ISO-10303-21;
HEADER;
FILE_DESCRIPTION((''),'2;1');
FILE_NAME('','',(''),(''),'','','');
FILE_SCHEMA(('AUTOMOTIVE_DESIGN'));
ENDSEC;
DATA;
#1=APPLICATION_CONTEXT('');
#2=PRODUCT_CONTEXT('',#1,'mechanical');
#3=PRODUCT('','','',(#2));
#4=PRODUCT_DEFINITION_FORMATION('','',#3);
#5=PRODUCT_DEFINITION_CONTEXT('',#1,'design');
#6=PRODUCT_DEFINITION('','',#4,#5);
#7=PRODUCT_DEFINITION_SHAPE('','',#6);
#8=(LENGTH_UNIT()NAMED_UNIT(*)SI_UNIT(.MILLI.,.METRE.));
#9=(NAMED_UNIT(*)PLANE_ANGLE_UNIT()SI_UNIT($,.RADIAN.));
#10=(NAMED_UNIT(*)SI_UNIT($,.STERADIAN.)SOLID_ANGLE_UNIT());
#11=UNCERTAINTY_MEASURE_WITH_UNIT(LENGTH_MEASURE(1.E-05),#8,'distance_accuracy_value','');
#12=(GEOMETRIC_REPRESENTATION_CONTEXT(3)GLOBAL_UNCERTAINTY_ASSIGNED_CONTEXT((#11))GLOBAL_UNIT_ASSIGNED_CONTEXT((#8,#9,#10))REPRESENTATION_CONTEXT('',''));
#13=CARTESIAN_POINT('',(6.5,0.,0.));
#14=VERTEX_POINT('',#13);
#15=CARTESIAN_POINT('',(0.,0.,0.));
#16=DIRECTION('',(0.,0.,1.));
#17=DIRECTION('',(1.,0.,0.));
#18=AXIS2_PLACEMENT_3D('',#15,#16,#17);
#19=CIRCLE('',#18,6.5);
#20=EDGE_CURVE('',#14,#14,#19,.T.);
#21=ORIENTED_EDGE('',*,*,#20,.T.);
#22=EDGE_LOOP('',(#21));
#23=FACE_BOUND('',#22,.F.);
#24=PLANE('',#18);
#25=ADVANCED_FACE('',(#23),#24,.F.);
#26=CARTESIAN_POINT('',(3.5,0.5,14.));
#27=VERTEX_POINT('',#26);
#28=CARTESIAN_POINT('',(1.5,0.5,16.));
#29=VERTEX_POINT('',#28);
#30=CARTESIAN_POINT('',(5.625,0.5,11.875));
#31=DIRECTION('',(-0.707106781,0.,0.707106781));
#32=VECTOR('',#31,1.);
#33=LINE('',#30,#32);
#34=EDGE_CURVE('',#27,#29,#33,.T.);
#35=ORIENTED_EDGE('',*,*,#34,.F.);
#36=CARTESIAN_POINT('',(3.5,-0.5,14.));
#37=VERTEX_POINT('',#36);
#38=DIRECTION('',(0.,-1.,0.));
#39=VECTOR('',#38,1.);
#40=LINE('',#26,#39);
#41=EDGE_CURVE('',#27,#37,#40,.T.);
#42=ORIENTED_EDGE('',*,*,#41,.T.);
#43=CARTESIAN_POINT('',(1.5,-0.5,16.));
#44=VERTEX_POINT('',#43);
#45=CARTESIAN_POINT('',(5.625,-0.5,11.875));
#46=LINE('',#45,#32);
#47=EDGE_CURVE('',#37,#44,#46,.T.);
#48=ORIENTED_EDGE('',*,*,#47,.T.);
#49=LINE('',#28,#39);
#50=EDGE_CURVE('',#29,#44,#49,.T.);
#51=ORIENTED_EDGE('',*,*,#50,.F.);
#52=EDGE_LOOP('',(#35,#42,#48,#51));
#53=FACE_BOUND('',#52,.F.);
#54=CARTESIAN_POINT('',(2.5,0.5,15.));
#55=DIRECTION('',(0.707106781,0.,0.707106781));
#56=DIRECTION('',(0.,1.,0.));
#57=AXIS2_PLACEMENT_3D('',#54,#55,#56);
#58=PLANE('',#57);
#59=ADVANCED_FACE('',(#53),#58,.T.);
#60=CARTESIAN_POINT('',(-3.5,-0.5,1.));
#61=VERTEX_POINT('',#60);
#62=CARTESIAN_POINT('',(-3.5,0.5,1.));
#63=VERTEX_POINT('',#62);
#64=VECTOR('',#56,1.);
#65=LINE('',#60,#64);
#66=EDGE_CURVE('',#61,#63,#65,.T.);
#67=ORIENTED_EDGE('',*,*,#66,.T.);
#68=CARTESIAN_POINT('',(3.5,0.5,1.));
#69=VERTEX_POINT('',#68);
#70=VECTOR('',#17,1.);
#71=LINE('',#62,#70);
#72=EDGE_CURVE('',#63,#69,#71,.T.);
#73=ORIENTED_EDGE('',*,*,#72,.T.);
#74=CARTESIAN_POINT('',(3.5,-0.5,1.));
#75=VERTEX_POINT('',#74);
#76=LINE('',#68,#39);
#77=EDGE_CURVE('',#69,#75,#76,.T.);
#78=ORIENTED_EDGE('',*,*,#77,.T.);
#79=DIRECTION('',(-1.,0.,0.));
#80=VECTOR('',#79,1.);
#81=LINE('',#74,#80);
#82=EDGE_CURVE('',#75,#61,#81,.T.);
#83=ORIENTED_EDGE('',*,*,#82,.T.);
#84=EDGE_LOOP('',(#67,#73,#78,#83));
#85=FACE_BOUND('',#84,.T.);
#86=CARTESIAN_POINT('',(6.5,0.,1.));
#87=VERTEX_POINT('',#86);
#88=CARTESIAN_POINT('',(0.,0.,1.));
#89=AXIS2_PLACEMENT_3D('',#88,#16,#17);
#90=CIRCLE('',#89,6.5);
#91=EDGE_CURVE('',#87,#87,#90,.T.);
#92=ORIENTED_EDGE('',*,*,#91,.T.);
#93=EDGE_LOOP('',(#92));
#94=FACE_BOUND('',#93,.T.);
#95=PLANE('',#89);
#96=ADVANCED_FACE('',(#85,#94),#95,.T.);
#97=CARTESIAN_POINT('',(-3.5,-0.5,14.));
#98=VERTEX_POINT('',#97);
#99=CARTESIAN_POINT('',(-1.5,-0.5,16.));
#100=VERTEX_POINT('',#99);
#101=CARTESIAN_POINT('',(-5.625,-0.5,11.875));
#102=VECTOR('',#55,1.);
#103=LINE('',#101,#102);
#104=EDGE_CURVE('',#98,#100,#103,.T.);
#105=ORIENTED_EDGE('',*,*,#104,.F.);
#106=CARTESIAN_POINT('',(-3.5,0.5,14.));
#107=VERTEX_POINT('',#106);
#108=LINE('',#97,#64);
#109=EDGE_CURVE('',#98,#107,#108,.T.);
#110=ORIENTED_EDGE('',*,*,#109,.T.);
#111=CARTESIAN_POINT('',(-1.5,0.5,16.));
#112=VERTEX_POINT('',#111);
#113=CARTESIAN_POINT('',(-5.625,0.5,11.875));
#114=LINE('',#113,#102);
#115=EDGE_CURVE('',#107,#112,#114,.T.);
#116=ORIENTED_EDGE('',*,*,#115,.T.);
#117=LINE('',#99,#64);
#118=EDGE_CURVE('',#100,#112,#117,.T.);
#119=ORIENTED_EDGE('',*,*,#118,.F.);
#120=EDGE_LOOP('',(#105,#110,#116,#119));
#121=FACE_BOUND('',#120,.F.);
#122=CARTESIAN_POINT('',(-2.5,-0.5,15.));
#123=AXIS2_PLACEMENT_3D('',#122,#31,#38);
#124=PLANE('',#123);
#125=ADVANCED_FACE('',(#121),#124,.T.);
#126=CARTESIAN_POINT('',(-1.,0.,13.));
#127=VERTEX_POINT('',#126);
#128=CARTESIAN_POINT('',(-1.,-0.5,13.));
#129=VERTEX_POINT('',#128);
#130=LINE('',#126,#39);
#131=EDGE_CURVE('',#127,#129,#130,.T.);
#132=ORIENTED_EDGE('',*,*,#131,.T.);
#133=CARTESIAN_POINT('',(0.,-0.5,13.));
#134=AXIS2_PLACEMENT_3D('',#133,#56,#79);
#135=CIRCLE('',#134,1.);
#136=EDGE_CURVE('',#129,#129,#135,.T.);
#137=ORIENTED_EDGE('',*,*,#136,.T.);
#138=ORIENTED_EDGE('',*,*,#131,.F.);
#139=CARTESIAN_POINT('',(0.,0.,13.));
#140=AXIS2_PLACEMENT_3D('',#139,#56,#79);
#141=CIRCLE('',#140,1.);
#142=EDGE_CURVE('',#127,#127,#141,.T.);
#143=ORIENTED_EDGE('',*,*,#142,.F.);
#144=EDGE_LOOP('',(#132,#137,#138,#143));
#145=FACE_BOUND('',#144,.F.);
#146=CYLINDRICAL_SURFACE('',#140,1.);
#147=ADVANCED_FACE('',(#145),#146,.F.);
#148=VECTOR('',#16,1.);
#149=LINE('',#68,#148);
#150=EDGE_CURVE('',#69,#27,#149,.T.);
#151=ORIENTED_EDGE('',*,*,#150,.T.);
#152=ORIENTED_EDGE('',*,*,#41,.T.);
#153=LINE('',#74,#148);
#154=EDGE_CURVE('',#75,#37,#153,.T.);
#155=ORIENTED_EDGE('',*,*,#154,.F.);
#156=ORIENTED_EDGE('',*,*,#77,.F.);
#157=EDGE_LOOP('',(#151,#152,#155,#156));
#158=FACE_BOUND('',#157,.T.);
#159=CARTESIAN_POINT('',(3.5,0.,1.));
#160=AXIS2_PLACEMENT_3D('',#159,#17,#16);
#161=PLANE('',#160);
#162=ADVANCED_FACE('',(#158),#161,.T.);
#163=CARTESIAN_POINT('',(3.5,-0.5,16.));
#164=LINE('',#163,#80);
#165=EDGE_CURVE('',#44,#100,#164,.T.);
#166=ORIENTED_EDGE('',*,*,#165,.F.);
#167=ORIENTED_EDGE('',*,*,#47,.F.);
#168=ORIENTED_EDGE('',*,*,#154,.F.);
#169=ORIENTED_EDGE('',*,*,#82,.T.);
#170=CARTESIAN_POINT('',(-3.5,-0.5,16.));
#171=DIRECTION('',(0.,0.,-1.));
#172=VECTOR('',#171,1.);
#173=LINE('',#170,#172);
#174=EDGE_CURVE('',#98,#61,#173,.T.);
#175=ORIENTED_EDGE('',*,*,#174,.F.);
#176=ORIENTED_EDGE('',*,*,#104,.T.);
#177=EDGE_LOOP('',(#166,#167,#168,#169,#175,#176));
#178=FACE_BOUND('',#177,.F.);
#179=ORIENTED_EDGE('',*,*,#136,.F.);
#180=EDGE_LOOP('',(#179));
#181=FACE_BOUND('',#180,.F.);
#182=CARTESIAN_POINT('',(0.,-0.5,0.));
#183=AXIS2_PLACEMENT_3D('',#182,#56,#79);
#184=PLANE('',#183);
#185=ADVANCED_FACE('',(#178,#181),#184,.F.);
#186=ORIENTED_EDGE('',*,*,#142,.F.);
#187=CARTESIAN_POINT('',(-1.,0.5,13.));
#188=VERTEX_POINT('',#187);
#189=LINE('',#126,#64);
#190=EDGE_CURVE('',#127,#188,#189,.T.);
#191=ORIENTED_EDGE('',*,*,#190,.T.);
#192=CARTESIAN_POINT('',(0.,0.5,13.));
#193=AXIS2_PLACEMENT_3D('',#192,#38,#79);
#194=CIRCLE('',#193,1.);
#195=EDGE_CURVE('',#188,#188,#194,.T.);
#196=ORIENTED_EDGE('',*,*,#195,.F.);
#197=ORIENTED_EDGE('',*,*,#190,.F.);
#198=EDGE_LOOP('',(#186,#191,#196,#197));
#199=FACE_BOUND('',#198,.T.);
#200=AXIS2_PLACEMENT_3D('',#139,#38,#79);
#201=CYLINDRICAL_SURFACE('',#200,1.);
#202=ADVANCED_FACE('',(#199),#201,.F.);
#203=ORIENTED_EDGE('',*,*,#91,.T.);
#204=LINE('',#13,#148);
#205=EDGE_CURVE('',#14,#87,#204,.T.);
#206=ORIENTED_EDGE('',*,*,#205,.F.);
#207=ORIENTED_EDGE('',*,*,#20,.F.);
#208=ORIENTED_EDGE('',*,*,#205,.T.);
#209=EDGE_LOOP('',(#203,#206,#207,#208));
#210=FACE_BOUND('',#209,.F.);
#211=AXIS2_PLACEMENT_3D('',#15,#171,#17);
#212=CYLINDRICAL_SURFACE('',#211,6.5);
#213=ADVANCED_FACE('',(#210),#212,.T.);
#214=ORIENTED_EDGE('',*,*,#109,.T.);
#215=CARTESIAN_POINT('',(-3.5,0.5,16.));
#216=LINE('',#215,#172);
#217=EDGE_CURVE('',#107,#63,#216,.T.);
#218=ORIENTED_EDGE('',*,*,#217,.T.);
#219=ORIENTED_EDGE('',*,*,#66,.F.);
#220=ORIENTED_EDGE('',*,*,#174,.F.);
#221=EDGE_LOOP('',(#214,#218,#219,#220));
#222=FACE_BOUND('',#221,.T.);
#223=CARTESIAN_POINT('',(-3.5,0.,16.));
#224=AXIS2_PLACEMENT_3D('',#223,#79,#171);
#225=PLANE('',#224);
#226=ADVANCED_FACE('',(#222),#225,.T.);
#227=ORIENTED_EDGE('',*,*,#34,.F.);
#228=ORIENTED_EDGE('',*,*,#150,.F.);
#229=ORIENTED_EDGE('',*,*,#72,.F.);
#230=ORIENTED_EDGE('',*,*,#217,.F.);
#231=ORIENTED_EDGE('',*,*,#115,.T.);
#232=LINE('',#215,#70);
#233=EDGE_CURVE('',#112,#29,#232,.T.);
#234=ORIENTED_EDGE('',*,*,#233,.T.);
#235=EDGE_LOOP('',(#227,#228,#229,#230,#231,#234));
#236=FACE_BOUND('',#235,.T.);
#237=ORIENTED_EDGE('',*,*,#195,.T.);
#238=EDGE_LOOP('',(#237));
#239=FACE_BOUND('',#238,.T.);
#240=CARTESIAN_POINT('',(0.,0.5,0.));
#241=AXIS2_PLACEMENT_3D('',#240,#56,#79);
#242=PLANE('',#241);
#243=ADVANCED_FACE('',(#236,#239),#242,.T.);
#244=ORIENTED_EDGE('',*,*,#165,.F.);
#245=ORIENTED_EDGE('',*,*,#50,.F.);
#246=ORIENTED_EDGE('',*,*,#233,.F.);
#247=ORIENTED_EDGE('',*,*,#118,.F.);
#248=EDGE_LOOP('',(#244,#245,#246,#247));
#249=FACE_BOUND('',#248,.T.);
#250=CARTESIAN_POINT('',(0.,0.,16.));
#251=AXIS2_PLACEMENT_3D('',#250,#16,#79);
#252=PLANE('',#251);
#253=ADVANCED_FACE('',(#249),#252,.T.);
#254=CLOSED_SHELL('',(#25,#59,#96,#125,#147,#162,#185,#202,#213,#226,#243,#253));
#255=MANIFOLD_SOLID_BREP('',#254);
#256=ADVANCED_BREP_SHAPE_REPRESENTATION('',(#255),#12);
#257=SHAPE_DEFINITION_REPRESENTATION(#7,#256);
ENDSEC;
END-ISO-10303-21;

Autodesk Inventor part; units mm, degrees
ref_plane "YZ Plane" through (0, 0, 0) normal (1, 0, 0) x (0, 1, 0)
ref_plane "XZ Plane" through (0, 0, 0) normal (0, 1, 0) x (-1, 0, 0)
ref_plane "XY Plane" through (0, 0, 0) normal (0, 0, 1) x (1, 0, 0)
sketch "Skizze1" plane through (0, 0, 0) normal (0, 0, 1) x (1, 0, 0)
  circle A0 centre (0, 0) radius 6.5
  dimension "d11" = 13
extrude "Extrusion1" add sketch "Skizze1" along normal blind 1
sketch "Skizze2" plane through (0, 0, 0) normal (0, 1, 0) x (-1, 0, 0)
  line L0 (6.5, 1) -> (-6.5, 1) projected
  line L1 (3.5, 1) -> (-3.5, 1)
  line L2 (-3.5, 1) -> (-3.5, 16)
  line L3 (-3.5, 16) -> (3.5, 16)
  line L4 (3.5, 16) -> (3.5, 1)
  line L5 (0, -1) -> (0, 20) projected
  circle A0 centre (0, 13) radius 1
  point P0 (-3.5, 1)
  dimension "d2" = 15
  dimension "d3" = 7
  dimension "d4" = 2
  dimension "d5" = 3
extrude "Extrusion2" add sketch "Skizze2" along normal mid plane 1 contours L0 L5 A0 L3 L4 | L0 L2 L3 L5 A0
chamfer "Fase1" distance 2 angle 45 2 edges at (3.5, 0, 16) (-3.5, 0, 16)
properties part number "Deckel"
